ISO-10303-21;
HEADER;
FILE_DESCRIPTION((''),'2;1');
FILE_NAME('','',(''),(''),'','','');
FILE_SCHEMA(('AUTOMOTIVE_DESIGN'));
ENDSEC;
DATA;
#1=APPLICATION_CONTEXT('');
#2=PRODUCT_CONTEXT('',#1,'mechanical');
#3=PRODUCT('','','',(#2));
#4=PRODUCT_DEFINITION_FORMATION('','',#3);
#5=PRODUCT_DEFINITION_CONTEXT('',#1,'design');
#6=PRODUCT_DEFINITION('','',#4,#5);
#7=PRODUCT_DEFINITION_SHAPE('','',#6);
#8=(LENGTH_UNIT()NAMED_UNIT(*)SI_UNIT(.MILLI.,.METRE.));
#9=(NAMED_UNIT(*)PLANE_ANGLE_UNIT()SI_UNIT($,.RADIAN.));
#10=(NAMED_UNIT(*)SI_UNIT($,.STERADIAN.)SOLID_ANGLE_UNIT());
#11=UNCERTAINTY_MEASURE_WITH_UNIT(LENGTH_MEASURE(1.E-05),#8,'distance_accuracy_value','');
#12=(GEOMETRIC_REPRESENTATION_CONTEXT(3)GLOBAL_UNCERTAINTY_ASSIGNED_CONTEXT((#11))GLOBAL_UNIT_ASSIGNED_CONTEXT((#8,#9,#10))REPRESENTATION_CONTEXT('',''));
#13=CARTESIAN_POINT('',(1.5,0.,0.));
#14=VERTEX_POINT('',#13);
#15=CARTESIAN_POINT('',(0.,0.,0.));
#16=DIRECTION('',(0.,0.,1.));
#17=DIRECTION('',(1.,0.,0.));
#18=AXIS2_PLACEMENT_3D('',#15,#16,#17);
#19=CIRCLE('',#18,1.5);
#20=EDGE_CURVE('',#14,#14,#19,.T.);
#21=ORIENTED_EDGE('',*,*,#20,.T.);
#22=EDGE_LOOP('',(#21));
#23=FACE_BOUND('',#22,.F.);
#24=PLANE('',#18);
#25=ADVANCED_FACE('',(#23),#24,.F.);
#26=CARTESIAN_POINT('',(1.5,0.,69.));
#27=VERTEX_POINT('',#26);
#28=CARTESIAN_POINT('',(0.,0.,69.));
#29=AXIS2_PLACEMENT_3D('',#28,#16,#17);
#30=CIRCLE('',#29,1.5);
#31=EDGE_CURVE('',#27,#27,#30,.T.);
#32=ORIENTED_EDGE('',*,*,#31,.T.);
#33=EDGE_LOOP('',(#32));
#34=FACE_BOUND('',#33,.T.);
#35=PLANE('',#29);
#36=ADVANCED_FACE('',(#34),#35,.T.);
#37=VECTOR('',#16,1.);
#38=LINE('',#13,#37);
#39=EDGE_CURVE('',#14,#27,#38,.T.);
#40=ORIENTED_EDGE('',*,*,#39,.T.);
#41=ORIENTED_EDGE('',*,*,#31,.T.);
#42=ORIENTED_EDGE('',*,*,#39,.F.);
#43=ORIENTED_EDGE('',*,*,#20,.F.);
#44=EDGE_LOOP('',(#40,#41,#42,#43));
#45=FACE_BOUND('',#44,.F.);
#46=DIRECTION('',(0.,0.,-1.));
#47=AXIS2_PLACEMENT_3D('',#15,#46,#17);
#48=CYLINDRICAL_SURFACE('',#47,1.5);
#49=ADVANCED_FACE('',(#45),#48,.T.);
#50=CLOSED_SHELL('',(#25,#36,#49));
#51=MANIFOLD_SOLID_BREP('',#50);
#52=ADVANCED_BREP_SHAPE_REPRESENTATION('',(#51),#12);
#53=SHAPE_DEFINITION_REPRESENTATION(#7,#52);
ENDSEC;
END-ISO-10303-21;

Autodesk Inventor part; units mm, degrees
ref_plane "YZ Plane" through (0, 0, 0) normal (1, 0, 0) x (0, 1, 0)
ref_plane "XZ Plane" through (0, 0, 0) normal (0, 1, 0) x (-1, 0, 0)
ref_plane "XY Plane" through (0, 0, 0) normal (0, 0, 1) x (1, 0, 0)
sketch "Sketch1" plane through (0, 0, 0) normal (0, 0, 1) x (1, 0, 0)
  circle A0 centre (0, 0) radius 1.5
  dimension "d0" = 3
extrude "Extrusion1" add sketch "Sketch1" along normal blind 69
